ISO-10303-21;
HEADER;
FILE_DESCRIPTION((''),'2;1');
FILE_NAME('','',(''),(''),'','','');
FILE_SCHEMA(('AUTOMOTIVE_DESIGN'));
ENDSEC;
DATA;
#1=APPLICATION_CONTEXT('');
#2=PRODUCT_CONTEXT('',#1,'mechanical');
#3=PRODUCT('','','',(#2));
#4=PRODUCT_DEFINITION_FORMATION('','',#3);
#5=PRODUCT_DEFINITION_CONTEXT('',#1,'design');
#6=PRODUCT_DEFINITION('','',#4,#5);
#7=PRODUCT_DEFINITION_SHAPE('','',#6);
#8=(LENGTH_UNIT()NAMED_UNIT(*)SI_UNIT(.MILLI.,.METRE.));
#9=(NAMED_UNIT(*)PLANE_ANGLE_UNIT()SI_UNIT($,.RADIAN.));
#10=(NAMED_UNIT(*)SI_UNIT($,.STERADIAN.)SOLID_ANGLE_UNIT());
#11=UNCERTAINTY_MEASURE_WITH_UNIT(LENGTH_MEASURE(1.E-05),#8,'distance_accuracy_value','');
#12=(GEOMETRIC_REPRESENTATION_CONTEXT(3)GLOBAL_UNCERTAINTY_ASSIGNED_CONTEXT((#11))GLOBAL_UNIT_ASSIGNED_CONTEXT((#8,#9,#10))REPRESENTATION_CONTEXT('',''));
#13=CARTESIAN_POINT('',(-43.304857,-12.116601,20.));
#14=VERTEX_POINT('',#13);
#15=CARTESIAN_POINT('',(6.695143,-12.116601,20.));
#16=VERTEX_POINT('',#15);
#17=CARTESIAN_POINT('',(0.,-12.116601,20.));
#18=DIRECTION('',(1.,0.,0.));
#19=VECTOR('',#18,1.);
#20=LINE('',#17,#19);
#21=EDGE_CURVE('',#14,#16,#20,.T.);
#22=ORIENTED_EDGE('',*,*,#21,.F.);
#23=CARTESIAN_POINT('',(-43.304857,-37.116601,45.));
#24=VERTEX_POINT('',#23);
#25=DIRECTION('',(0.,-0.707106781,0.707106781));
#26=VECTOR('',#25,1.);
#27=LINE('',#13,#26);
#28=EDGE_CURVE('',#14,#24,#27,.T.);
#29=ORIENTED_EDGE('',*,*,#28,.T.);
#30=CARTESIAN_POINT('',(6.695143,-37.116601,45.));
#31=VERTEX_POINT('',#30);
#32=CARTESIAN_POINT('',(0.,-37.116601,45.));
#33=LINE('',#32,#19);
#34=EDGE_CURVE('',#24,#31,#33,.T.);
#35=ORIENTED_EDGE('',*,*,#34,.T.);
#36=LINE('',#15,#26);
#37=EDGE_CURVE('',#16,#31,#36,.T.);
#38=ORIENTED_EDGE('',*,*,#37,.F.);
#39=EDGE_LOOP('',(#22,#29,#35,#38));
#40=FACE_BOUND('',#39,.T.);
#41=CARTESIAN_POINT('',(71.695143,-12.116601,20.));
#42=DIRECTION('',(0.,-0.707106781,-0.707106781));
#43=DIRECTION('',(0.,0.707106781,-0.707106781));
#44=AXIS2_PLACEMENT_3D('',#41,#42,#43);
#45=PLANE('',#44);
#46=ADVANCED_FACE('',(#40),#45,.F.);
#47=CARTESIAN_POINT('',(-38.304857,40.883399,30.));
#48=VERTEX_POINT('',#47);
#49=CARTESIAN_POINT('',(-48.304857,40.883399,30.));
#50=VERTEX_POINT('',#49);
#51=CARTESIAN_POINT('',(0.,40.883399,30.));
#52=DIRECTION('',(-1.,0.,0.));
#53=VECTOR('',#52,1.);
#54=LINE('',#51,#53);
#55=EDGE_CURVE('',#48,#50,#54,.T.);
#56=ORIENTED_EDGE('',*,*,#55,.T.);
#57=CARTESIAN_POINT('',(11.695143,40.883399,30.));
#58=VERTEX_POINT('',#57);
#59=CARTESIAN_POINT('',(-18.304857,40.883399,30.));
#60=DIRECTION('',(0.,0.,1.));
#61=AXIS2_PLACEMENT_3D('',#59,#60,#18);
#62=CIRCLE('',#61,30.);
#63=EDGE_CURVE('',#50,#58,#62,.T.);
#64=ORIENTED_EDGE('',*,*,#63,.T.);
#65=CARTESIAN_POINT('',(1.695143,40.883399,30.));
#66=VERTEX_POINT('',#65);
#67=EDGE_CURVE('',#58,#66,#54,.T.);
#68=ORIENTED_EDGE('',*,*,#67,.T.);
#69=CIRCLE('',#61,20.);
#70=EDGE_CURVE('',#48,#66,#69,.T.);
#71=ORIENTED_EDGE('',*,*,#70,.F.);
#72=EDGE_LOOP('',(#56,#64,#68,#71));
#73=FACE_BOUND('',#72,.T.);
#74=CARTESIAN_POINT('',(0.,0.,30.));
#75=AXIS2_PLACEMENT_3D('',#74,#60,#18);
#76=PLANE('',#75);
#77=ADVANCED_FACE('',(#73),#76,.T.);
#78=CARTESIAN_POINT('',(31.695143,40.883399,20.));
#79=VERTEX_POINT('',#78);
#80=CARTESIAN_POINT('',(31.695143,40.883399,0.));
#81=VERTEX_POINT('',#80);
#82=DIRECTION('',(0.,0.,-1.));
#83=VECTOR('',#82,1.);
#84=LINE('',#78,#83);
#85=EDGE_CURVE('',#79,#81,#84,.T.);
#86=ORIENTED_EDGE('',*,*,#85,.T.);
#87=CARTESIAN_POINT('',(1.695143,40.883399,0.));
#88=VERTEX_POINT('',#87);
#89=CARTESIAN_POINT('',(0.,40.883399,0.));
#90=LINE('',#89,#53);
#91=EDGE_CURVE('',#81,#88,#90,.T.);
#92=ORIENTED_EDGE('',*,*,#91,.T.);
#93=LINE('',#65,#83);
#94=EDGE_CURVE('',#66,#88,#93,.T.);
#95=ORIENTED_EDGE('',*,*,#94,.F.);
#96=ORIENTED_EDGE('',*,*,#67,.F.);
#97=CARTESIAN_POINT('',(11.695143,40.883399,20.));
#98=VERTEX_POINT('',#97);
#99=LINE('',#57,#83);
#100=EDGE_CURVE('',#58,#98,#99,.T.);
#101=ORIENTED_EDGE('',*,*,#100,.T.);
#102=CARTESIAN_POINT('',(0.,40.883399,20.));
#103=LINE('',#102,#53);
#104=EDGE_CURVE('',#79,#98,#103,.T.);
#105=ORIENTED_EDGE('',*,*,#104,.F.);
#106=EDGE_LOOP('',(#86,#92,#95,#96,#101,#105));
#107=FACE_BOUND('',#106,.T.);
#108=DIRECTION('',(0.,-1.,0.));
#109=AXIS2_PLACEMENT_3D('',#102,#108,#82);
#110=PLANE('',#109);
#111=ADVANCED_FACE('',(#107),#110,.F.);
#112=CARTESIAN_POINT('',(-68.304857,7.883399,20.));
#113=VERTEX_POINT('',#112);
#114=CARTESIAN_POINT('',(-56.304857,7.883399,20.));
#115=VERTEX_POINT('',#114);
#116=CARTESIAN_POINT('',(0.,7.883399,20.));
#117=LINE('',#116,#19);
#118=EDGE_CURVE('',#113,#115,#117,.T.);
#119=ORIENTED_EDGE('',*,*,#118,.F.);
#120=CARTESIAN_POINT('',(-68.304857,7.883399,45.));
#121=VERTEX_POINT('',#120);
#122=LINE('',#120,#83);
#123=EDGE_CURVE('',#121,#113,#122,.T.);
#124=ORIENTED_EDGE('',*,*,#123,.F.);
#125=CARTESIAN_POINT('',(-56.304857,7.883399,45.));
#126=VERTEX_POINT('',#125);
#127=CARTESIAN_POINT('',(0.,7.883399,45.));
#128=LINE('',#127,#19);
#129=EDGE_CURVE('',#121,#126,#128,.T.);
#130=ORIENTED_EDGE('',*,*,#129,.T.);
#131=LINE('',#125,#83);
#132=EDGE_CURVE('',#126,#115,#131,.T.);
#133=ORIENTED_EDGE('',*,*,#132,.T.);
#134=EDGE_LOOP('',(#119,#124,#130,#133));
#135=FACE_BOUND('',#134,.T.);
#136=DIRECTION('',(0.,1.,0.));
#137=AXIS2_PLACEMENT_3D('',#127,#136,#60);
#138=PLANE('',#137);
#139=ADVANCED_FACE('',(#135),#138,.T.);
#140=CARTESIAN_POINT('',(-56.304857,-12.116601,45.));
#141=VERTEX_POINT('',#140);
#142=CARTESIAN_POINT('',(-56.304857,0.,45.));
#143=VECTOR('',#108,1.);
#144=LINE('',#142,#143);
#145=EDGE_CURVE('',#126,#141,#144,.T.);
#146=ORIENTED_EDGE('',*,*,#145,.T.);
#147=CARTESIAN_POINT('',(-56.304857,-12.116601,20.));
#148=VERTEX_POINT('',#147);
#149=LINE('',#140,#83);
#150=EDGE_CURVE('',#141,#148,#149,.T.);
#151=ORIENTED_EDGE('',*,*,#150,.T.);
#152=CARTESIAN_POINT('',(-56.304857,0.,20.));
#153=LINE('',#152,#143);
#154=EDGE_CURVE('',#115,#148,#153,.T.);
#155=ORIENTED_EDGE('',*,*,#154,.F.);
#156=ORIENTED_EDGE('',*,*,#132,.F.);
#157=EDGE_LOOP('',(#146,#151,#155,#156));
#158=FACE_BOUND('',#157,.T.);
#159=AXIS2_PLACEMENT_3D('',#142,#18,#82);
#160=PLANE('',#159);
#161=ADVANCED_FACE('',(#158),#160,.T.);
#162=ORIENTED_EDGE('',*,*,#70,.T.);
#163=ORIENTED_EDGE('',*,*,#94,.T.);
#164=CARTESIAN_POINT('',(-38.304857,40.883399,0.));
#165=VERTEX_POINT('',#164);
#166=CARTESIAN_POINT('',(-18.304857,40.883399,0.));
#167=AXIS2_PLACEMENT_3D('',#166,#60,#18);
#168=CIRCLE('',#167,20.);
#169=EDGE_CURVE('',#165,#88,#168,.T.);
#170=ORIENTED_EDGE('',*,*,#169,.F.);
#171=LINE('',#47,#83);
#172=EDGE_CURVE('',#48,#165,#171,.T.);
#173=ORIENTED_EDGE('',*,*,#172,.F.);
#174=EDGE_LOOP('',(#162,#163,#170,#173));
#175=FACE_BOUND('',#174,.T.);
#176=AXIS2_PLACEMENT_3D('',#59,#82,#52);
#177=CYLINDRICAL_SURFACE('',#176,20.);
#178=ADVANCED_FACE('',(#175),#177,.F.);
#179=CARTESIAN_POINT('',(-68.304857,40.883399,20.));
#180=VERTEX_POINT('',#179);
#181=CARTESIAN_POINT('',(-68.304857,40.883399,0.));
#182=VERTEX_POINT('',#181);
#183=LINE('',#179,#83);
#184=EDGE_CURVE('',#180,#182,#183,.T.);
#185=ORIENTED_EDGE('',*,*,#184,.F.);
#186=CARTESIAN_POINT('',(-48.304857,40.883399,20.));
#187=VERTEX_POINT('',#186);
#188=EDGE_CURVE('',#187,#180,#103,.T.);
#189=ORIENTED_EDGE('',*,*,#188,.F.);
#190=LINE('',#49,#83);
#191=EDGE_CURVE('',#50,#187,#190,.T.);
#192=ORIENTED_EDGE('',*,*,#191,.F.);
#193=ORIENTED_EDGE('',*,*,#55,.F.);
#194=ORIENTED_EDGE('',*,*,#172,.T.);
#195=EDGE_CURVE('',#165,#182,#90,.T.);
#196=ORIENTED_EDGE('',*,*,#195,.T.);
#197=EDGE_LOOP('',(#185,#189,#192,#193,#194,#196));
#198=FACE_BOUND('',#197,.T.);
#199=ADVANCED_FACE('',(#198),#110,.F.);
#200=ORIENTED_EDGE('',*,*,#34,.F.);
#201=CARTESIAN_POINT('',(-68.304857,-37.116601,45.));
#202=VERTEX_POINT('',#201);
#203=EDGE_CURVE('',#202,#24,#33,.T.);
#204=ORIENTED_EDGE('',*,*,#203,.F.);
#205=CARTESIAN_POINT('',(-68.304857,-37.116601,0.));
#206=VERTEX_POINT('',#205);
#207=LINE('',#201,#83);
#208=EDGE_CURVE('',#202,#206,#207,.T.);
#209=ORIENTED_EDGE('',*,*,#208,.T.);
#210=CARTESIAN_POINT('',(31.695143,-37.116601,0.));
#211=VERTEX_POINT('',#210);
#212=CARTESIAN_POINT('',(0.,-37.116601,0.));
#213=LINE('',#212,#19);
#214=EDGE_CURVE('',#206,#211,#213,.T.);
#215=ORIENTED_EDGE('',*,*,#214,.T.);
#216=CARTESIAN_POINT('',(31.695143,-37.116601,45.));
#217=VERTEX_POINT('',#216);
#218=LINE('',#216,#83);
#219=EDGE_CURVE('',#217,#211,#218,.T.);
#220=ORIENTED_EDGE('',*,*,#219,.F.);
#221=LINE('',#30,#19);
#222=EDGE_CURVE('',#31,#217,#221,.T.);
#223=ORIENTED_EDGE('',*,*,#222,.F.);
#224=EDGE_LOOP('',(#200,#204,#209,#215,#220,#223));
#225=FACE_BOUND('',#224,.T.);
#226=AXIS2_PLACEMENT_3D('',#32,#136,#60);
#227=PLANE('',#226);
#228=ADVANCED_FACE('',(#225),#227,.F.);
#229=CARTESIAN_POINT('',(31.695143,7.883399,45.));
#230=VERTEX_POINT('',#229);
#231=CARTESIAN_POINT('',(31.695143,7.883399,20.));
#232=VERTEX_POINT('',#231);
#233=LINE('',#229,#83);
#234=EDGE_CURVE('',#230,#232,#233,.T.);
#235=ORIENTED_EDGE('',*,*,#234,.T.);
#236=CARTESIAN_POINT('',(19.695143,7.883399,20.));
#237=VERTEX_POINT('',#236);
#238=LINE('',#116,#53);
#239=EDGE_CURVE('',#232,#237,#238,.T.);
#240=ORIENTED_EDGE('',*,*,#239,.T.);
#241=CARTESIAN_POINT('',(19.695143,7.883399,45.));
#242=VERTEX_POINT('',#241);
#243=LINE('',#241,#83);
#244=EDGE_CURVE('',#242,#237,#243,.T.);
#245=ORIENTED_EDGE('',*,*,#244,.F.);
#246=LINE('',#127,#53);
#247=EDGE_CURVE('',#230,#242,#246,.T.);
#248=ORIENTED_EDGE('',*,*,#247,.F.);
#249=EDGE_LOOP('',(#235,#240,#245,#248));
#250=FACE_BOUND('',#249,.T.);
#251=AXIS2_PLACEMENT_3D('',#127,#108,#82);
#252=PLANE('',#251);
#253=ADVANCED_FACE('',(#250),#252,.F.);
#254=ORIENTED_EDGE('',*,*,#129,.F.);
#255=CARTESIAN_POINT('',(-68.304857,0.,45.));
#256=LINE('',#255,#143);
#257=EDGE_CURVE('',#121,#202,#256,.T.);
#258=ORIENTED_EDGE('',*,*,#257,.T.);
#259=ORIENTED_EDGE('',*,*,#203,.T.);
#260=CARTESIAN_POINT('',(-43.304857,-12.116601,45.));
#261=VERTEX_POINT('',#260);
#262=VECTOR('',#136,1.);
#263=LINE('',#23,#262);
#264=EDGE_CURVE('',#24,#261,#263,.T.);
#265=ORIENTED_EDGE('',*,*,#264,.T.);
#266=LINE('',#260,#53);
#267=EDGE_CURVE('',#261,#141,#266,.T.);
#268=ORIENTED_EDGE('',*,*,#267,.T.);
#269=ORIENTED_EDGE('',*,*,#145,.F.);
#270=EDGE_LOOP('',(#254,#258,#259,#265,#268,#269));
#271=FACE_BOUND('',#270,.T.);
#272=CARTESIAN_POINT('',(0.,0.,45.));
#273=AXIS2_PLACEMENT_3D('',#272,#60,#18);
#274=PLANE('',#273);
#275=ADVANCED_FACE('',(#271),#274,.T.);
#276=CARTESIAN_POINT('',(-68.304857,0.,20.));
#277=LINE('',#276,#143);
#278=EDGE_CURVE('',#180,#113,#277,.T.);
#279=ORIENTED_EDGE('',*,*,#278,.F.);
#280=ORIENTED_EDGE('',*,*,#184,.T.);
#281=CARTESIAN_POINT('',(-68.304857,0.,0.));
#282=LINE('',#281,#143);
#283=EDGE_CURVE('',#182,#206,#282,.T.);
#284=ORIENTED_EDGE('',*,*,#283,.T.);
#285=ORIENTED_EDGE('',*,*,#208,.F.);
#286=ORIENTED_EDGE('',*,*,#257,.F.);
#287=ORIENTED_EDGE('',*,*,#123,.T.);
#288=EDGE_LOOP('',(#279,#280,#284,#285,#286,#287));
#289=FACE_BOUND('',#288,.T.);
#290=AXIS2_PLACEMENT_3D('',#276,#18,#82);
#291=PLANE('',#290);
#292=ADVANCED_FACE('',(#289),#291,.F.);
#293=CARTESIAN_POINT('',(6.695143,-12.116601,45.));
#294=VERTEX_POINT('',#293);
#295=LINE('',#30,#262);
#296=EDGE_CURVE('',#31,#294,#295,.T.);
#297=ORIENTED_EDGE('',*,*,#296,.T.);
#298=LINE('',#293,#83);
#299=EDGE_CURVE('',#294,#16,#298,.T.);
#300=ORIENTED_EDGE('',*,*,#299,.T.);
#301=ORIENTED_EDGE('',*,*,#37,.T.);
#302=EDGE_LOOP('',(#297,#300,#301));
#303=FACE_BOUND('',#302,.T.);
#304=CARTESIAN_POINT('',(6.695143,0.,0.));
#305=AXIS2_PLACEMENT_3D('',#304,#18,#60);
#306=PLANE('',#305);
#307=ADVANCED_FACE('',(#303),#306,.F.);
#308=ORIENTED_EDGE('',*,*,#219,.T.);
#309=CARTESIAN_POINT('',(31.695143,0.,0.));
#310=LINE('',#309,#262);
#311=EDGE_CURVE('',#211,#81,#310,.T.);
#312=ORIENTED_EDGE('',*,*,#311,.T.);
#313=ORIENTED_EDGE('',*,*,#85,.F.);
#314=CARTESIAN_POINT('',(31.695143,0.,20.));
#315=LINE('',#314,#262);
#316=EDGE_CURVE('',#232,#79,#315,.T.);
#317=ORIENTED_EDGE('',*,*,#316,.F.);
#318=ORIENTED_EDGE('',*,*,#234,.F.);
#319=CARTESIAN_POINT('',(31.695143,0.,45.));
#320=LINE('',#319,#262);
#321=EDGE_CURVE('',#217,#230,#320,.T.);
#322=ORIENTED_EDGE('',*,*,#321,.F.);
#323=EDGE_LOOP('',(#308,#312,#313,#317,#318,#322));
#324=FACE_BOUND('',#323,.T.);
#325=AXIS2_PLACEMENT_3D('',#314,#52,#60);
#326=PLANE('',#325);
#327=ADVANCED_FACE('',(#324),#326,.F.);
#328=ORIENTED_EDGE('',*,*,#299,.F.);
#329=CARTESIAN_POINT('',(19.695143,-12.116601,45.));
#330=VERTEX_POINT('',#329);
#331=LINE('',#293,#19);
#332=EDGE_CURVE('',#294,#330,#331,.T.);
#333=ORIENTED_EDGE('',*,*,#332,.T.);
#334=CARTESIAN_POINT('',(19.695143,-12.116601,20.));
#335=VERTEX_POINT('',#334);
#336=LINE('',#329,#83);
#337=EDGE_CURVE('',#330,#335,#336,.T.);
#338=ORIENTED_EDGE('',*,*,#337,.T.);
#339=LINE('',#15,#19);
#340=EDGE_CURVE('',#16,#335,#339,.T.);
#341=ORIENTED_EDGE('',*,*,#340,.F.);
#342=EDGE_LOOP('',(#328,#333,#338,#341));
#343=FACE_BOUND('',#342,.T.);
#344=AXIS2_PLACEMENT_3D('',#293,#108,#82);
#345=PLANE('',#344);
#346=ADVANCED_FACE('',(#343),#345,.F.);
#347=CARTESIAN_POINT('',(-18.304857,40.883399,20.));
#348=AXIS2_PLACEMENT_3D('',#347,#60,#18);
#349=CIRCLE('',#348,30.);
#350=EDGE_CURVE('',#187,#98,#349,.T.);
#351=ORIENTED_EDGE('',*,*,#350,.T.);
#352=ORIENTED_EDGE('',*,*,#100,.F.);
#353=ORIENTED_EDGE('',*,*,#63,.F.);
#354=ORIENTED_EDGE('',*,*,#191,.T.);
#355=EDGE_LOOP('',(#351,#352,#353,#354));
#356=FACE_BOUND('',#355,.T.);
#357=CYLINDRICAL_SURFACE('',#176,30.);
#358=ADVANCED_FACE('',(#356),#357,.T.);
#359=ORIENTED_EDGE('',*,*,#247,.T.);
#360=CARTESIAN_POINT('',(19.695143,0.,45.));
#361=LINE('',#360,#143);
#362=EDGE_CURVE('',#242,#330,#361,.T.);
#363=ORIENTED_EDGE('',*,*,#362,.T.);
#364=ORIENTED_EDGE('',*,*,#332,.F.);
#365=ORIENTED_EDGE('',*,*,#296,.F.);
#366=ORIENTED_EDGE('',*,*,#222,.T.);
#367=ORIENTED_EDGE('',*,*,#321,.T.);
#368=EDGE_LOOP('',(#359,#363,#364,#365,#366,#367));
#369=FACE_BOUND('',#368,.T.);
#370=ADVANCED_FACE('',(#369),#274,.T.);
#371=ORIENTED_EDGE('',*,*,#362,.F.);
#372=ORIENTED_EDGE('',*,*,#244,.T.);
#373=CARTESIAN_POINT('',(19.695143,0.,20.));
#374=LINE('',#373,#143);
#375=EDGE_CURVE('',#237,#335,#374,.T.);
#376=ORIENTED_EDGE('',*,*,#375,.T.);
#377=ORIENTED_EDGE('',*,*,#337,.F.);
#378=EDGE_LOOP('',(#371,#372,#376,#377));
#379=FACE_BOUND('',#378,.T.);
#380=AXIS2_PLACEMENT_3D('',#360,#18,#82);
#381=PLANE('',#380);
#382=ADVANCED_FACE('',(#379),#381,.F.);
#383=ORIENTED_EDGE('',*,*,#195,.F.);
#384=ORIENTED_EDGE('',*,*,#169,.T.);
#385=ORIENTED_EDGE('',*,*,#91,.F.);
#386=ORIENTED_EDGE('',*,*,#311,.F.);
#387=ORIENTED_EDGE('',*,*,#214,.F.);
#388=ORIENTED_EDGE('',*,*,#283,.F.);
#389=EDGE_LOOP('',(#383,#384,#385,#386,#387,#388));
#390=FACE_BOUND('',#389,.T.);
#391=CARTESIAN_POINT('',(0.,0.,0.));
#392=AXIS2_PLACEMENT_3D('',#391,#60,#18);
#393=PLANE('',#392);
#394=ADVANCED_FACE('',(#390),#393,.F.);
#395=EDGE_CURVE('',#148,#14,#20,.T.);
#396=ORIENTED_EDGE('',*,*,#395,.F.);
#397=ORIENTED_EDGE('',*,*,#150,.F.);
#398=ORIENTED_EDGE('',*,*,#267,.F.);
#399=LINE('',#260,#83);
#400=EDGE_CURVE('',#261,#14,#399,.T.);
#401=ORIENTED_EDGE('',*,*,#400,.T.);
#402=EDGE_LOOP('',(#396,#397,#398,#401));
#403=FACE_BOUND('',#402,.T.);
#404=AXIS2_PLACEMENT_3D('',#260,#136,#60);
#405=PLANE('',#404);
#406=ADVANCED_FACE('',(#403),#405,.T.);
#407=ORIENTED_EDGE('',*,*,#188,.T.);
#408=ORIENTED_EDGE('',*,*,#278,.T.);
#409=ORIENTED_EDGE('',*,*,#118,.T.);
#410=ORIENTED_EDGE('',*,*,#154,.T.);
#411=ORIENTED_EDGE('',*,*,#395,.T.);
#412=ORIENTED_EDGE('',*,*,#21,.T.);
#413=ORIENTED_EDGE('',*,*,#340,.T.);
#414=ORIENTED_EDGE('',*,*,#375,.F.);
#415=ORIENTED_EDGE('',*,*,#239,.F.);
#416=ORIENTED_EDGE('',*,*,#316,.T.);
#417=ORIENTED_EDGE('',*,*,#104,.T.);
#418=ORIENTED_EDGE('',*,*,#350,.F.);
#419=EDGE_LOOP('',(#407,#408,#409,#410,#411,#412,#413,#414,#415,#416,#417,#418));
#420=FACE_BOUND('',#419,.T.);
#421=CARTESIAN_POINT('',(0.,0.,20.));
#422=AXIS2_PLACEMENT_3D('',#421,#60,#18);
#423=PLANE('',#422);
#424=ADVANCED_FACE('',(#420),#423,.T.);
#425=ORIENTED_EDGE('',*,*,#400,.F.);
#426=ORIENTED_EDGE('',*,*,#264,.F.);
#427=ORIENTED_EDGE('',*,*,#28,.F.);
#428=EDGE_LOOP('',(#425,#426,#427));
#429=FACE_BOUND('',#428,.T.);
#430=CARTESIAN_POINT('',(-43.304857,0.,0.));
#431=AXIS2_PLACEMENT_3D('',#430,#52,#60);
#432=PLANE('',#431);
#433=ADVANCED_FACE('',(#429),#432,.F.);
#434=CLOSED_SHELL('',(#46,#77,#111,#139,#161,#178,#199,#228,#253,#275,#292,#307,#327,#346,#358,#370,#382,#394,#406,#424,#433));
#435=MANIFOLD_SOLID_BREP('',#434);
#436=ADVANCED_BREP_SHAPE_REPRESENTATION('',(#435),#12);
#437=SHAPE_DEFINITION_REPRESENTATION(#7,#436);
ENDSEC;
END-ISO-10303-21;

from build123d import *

# Parameters (mm, degrees)
BOSS_EXTRUDE1_DEPTH = 20
BOSS_EXTRUDE2_DEPTH = 30
BOSS_EXTRUDE6_DEPTH = 45
CUT_EXTRUDE6_DEPTH  = 140
BOSS_EXTRUDE7_DEPTH = 25


with BuildPart() as part:
    # Sketch1 → Boss-Extrude1 (new body)
    with BuildSketch(Plane.XY):
        with BuildLine():
            Line((-68.304856892, 40.883398519), (-68.304856892, 7.883398519))
            Line((-68.304856892, 7.883398519), (-56.304856892, 7.883398519))
            Line((-56.304856892, 7.883398519), (-56.304856892, -12.116601481))
            Line((-56.304856892, -12.116601481), (19.695143108, -12.116601481))
            Line((19.695143108, -12.116601481), (19.695143108, 7.883398519))
            Line((19.695143108, 7.883398519), (31.695143108, 7.883398519))
            Line((31.695143108, 7.883398519), (31.695143108, 40.883398519))
            Line((31.695143108, 40.883398519), (11.695143108, 40.883398519))
            ThreePointArc((11.695143108, 40.883398519), (-18.304856892, 10.883398519), (-48.304856892, 40.883398519))
            Line((-48.304856892, 40.883398519), (-68.304856892, 40.883398519))
        make_face()
    extrude(amount=BOSS_EXTRUDE1_DEPTH)

    # Sketch1<3> → Boss-Extrude2 (add)
    with BuildSketch(Plane.XY):
        with BuildLine():
            Line((-38.304856892, 40.883398519), (-48.304856892, 40.883398519))
            ThreePointArc((-48.304856892, 40.883398519), (-18.304856892, 10.883398519), (11.695143108, 40.883398519))
            Line((11.695143108, 40.883398519), (1.695143108, 40.883398519))
            ThreePointArc((1.695143108, 40.883398519), (-18.304856892, 20.883398519), (-38.304856892, 40.883398519))
        make_face()
    extrude(amount=BOSS_EXTRUDE2_DEPTH)

    # Sketch1<6> → Boss-Extrude6 (add)
    with BuildSketch(Plane.XY):
        Polygon((-68.304856892, 7.883398519), (-68.304856892, -37.116601481), (31.695143108, -37.116601481), (31.695143108, 7.883398519), (19.695143108, 7.883398519), (19.695143108, -12.116601481), (-56.304856892, -12.116601481), (-56.304856892, 7.883398519), align=None)
    extrude(amount=BOSS_EXTRUDE6_DEPTH)

    # Sketch3 → Cut-Extrude6 (cut)
    with BuildSketch(Plane.ZY.offset(68.304856892)):
        Polygon((45, -37.116601481), (45, -12.116601481), (20, -12.116601481), align=None)
    extrude(amount=-CUT_EXTRUDE6_DEPTH, mode=Mode.SUBTRACT)

    # Sketch3<2> → Boss-Extrude7 (add)
    with BuildSketch(Plane.ZY.offset(68.304856892)):
        Polygon((45, -37.116601481), (45, -12.116601481), (20, -12.116601481), align=None)
    boss_extrude7 = extrude(amount=-BOSS_EXTRUDE7_DEPTH)

    # Mirror1: Boss-Extrude7 across plane
    add(boss_extrude7.mirror(Plane(origin=(-18.304856892, 0, 0), x_dir=(0, 0, 1), z_dir=(1, 0, 0))))


solid = part.part
